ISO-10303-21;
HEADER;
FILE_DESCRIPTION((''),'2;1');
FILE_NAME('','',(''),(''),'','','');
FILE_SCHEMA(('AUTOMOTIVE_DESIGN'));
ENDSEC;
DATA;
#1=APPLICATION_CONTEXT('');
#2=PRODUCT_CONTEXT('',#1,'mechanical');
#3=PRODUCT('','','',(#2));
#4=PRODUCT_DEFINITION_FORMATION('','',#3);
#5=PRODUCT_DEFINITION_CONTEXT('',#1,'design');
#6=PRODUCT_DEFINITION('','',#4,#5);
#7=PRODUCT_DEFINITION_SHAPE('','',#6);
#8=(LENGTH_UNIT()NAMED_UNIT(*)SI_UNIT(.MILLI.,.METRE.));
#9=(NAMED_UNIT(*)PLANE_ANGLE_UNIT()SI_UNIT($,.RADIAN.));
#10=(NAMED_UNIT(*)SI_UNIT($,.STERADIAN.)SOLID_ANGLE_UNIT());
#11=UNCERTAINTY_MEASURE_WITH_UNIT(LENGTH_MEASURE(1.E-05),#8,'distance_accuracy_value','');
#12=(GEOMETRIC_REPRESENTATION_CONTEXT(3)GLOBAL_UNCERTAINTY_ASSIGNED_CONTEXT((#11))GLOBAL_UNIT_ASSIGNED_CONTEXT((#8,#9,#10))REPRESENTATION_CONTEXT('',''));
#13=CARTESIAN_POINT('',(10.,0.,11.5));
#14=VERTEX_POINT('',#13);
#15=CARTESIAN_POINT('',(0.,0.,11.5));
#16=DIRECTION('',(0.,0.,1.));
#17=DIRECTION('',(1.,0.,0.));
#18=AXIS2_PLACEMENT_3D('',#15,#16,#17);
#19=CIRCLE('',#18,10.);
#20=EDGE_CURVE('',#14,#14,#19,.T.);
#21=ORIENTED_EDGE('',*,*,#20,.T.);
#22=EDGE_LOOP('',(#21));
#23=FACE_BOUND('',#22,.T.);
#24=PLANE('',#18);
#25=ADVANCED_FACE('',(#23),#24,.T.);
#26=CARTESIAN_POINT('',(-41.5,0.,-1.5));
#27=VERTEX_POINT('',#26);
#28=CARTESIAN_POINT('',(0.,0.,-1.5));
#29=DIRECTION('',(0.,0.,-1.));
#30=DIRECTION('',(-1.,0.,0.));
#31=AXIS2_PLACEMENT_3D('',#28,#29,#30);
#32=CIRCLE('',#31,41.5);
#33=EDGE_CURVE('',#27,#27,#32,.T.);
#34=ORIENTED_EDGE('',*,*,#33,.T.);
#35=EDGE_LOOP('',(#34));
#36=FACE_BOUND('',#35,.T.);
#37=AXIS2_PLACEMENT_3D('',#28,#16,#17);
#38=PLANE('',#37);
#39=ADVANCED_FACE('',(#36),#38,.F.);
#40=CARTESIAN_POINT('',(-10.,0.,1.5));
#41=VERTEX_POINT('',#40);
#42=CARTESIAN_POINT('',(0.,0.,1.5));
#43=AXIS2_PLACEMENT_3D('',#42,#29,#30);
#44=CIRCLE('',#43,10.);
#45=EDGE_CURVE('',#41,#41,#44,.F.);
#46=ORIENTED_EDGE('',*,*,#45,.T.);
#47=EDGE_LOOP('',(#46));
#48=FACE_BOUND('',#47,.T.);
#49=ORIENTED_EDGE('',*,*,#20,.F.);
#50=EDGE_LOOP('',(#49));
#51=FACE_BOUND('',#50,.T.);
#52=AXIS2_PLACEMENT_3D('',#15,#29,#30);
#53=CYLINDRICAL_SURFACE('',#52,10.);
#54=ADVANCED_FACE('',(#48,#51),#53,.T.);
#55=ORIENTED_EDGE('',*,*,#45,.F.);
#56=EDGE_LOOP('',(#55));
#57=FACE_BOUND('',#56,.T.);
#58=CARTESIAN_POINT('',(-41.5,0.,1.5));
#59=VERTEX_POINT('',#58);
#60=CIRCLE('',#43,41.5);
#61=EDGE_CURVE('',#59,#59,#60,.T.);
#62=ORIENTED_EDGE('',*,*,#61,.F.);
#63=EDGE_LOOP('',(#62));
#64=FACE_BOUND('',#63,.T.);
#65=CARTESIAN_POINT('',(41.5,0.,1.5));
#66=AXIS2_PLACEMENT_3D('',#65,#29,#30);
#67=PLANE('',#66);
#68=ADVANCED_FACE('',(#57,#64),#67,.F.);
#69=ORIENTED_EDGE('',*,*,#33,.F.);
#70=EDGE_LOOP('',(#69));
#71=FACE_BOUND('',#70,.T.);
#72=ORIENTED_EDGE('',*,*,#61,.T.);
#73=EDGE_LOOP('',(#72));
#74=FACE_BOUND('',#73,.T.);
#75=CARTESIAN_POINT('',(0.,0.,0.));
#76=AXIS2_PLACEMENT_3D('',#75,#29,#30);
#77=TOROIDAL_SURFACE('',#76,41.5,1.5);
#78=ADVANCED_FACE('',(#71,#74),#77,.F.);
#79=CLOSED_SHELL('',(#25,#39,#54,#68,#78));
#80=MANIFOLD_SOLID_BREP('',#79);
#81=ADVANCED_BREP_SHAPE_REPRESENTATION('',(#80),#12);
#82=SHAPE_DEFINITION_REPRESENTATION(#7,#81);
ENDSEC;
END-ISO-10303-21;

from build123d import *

# Parameters (mm, degrees)
SKETCH2_R           = 10
BOSS_EXTRUDE1_DEPTH = 10


with BuildPart() as part:
    # Sketch1 → Revolve2 (revolve)
    with BuildSketch(Plane(origin=(0, 0, 0), x_dir=(1, 0, 0), z_dir=(0, 1, 0)), mode=Mode.PRIVATE) as revolve2_sk:
        with BuildLine():
            Line((40, 1.5), (41.5, 1.5))
            ThreePointArc((41.5, 1.5), (40, 0), (41.5, -1.5))
            Line((41.5, -1.5), (40, -1.5))
            Line((40, -1.5), (0, -1.5))
            Line((0, -1.5), (0, 1.5))
            Line((0, 1.5), (40, 1.5))
        make_face()
    revolve(revolve2_sk.sketch.rotate(Axis((0, 0, -1.5), (0, 0, 1)), 180), axis=Axis((0, 0, -1.5), (0, 0, 1)))

    # Sketch2 → Boss-Extrude1 (add)
    with BuildSketch(Plane.XY.offset(1.5)):
        with Locations(Location((0, 0, 0), (0, 0, 180))):
            Circle(SKETCH2_R)
    extrude(amount=BOSS_EXTRUDE1_DEPTH)


solid = part.part
